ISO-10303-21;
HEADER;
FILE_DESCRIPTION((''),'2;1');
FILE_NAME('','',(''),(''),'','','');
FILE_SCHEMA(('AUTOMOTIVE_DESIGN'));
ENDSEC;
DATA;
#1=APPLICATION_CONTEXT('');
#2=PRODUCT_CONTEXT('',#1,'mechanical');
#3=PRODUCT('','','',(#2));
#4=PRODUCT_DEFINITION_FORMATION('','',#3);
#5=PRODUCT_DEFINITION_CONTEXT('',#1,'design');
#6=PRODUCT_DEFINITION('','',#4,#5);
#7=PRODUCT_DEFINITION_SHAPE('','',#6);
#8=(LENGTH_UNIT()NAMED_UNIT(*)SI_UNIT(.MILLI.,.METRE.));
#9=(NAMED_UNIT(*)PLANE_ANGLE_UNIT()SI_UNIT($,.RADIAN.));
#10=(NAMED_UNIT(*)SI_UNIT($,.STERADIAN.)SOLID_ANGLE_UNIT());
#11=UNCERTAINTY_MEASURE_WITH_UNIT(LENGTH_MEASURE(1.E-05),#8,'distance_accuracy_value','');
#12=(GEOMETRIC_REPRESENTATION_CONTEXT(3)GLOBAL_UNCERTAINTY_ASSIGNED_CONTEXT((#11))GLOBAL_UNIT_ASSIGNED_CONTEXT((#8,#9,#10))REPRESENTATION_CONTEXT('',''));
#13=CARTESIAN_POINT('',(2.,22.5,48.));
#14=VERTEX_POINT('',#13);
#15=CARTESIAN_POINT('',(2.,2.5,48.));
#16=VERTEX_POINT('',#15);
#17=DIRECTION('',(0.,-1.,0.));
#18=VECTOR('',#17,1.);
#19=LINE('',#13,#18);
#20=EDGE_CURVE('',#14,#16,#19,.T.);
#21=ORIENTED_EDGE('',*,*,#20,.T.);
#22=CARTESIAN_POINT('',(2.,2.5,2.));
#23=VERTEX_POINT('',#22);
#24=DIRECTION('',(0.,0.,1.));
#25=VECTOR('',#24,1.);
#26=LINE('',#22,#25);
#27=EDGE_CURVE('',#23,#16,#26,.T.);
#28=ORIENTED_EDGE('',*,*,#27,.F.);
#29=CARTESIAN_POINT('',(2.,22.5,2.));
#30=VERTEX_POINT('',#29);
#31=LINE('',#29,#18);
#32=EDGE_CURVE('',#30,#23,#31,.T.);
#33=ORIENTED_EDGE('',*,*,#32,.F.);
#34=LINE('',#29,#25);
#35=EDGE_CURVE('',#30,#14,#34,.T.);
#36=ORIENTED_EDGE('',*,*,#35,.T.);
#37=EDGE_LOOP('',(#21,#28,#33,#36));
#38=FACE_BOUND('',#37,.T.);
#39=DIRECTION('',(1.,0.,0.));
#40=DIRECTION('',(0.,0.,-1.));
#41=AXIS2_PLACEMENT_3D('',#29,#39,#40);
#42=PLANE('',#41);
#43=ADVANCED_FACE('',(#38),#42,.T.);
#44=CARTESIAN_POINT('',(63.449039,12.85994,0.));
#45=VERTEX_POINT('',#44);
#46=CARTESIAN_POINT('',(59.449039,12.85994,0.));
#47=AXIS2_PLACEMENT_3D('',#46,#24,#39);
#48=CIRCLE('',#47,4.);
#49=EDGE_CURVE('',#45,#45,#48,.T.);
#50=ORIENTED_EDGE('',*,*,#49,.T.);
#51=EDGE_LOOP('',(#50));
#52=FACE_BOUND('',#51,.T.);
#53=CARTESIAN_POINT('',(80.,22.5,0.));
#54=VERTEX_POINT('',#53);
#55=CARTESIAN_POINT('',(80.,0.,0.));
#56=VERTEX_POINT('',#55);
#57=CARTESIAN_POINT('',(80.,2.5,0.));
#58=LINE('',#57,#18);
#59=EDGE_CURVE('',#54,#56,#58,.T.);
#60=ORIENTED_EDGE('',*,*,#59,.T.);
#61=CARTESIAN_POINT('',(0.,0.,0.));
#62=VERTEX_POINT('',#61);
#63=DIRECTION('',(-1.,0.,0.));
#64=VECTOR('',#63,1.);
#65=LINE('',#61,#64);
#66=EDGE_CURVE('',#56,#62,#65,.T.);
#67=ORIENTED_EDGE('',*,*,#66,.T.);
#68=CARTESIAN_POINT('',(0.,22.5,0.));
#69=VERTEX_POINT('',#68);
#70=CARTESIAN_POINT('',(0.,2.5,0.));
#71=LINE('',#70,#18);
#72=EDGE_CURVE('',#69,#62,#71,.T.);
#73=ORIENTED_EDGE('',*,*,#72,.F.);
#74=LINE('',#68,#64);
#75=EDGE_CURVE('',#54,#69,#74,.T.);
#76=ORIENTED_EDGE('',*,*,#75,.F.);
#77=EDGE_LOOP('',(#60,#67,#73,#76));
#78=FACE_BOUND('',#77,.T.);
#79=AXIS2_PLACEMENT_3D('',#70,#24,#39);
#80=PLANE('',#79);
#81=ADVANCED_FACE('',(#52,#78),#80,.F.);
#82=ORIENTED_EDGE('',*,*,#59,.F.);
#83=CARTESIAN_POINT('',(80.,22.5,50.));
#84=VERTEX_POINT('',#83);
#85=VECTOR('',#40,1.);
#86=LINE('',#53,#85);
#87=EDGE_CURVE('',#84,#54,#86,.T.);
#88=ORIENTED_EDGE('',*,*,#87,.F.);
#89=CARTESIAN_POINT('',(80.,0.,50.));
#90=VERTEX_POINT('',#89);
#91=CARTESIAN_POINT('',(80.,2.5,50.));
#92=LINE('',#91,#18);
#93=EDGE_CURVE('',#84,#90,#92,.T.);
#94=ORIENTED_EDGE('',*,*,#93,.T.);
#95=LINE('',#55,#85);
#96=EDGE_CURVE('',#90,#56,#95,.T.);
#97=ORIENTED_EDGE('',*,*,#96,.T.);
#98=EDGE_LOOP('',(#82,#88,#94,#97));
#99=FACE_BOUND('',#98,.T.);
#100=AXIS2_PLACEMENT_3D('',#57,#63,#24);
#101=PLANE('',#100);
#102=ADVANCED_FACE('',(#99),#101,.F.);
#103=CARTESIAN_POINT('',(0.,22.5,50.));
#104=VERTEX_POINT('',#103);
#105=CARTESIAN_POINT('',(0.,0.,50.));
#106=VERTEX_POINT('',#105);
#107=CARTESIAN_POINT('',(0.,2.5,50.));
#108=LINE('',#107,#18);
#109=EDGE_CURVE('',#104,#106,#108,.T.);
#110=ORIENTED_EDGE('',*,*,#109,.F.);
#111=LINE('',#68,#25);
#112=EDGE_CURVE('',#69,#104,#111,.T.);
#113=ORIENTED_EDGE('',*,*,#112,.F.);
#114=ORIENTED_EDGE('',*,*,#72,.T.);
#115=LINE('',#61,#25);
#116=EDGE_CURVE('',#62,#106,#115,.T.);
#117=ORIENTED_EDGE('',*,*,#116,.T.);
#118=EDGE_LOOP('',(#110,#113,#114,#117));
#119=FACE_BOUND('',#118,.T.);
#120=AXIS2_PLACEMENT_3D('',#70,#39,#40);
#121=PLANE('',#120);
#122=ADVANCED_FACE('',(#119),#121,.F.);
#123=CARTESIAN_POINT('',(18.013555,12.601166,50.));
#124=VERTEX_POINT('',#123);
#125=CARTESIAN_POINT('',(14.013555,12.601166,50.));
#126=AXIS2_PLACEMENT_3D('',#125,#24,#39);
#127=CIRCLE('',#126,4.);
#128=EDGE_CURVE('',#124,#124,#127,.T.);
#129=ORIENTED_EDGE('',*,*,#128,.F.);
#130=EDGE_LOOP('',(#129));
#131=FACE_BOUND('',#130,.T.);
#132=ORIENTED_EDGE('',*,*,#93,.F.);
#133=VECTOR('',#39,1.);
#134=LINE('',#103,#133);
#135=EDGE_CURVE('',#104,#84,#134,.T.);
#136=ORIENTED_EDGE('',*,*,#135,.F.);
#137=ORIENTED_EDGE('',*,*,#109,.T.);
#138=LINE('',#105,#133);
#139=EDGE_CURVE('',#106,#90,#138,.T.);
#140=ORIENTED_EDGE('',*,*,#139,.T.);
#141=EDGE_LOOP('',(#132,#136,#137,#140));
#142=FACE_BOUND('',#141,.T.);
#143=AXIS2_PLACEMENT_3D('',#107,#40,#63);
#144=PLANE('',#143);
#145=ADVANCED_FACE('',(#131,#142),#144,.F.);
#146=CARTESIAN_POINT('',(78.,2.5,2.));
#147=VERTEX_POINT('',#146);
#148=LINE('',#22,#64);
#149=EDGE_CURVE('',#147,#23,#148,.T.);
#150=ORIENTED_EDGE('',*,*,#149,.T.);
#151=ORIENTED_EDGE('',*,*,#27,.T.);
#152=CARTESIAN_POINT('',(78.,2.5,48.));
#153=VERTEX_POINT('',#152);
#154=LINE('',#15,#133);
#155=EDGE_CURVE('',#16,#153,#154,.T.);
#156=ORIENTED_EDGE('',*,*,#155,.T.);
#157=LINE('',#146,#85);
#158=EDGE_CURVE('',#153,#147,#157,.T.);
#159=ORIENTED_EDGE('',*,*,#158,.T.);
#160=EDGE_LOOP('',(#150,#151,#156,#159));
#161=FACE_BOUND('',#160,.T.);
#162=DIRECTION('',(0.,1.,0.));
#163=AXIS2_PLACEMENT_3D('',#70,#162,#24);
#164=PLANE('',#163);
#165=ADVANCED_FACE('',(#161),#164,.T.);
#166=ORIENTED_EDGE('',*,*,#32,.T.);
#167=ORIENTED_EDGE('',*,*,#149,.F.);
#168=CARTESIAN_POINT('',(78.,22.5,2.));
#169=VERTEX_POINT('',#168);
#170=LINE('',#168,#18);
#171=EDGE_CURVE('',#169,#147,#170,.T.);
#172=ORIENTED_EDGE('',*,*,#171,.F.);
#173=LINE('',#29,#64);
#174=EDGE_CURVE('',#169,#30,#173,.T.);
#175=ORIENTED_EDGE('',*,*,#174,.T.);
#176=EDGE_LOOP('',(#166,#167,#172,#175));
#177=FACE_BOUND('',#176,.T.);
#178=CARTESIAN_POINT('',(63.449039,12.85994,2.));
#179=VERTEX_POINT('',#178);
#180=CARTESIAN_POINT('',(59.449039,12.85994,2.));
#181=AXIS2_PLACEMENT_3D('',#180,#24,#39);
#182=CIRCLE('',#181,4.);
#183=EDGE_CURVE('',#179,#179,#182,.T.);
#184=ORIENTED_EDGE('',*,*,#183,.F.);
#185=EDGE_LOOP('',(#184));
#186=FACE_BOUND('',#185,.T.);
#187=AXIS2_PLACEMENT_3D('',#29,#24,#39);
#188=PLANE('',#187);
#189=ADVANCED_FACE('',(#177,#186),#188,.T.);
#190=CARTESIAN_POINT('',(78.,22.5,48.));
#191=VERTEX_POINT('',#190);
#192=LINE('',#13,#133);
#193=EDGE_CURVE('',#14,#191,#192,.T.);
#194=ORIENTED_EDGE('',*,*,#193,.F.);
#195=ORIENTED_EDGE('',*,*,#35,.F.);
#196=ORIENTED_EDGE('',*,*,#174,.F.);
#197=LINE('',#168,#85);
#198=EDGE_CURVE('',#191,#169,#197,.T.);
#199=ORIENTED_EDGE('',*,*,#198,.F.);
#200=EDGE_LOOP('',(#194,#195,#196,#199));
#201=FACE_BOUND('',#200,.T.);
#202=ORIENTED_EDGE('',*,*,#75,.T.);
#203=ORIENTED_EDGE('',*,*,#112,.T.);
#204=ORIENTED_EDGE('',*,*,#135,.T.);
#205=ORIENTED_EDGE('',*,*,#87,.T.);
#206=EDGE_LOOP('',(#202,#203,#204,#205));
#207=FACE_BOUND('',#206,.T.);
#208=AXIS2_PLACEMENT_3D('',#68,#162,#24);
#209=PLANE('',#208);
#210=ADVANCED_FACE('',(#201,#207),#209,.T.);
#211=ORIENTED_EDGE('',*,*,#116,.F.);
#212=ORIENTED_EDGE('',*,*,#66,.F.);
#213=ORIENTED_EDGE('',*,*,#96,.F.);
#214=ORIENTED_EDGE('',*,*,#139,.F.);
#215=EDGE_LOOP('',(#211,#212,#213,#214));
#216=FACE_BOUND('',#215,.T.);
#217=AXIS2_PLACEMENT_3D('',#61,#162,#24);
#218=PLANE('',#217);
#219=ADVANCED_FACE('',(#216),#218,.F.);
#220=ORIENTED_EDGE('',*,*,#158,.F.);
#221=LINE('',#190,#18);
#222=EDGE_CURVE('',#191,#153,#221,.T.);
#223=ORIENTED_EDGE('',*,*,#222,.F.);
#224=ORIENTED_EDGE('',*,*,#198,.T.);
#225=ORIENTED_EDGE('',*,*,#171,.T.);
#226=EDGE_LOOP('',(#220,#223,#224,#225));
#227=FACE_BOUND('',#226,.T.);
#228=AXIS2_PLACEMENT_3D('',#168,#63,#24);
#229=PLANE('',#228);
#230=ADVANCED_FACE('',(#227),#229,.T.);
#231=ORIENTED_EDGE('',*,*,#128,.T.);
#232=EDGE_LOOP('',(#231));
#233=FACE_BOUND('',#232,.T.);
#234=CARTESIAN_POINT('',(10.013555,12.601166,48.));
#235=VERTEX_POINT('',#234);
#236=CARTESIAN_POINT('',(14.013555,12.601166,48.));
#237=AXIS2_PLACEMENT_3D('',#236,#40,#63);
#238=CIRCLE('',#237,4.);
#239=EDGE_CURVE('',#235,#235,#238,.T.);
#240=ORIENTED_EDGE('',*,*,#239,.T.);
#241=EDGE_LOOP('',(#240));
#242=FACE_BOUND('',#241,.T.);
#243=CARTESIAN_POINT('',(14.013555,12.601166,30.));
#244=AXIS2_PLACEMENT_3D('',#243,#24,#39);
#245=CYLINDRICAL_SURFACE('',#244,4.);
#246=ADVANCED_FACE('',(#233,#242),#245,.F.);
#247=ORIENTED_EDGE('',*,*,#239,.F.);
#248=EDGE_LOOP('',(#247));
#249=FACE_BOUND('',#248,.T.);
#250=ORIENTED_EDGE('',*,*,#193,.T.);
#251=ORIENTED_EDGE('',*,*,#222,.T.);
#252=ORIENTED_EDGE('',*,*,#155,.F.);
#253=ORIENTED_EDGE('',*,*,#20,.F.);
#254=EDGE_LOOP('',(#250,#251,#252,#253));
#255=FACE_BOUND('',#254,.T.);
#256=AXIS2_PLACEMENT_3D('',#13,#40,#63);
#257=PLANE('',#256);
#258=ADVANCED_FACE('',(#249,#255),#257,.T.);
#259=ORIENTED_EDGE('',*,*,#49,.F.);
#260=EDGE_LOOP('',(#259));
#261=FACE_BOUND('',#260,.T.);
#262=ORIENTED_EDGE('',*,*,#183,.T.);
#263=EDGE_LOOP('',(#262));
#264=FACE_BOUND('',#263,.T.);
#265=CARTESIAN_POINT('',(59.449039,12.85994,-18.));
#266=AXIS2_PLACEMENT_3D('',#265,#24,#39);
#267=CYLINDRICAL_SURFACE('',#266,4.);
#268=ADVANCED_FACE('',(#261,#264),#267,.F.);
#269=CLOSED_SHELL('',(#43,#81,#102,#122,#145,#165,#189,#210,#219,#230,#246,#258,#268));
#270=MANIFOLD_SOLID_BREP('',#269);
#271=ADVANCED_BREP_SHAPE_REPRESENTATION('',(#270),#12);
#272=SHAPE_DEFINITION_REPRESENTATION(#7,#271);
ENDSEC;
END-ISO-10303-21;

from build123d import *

# Parameters (mm, degrees)
SKETCH1_W           = 80
SKETCH1_H           = 50
BOSS_EXTRUDE1_DEPTH = 2.5
SKETCH2_W           = 80
SKETCH2_H           = 50
SKETCH2_W_2         = 76
SKETCH2_H_2         = 46
BOSS_EXTRUDE2_DEPTH = 20
SKETCH3_R           = 4
CUT_EXTRUDE1_DEPTH  = 20
SKETCH4_R           = 4
CUT_EXTRUDE2_DEPTH  = 20


with BuildPart() as part:
    # Sketch1 → Boss-Extrude1 (new body)
    with BuildSketch(Plane(origin=(0, 0, 0), x_dir=(1, 0, 0), z_dir=(0, 1, 0))):
        with Locations((40, -25)):
            Rectangle(SKETCH1_W, SKETCH1_H)
    extrude(amount=BOSS_EXTRUDE1_DEPTH)

    # Sketch2 → Boss-Extrude2 (add)
    with BuildSketch(Plane(origin=(0, 2.5, 0), x_dir=(1, 0, 0), z_dir=(0, 1, 0))):
        with Locations((40, -25)):
            Rectangle(SKETCH2_W, SKETCH2_H)
        with Locations((40, -25)):
            Rectangle(SKETCH2_W_2, SKETCH2_H_2, mode=Mode.SUBTRACT)
    extrude(amount=BOSS_EXTRUDE2_DEPTH)

    # Sketch3 → Cut-Extrude1 (cut)
    with BuildSketch(Plane.XY.offset(50)):
        with Locations((14.013555164, 12.601165946)):
            Circle(SKETCH3_R)
    extrude(amount=-CUT_EXTRUDE1_DEPTH, mode=Mode.SUBTRACT)

    # Sketch4 → Cut-Extrude2 (cut)
    with BuildSketch(Plane.XY.offset(2)):
        with Locations((59.449039137, 12.859939565)):
            Circle(SKETCH4_R)
    extrude(amount=-CUT_EXTRUDE2_DEPTH, mode=Mode.SUBTRACT)


solid = part.part
